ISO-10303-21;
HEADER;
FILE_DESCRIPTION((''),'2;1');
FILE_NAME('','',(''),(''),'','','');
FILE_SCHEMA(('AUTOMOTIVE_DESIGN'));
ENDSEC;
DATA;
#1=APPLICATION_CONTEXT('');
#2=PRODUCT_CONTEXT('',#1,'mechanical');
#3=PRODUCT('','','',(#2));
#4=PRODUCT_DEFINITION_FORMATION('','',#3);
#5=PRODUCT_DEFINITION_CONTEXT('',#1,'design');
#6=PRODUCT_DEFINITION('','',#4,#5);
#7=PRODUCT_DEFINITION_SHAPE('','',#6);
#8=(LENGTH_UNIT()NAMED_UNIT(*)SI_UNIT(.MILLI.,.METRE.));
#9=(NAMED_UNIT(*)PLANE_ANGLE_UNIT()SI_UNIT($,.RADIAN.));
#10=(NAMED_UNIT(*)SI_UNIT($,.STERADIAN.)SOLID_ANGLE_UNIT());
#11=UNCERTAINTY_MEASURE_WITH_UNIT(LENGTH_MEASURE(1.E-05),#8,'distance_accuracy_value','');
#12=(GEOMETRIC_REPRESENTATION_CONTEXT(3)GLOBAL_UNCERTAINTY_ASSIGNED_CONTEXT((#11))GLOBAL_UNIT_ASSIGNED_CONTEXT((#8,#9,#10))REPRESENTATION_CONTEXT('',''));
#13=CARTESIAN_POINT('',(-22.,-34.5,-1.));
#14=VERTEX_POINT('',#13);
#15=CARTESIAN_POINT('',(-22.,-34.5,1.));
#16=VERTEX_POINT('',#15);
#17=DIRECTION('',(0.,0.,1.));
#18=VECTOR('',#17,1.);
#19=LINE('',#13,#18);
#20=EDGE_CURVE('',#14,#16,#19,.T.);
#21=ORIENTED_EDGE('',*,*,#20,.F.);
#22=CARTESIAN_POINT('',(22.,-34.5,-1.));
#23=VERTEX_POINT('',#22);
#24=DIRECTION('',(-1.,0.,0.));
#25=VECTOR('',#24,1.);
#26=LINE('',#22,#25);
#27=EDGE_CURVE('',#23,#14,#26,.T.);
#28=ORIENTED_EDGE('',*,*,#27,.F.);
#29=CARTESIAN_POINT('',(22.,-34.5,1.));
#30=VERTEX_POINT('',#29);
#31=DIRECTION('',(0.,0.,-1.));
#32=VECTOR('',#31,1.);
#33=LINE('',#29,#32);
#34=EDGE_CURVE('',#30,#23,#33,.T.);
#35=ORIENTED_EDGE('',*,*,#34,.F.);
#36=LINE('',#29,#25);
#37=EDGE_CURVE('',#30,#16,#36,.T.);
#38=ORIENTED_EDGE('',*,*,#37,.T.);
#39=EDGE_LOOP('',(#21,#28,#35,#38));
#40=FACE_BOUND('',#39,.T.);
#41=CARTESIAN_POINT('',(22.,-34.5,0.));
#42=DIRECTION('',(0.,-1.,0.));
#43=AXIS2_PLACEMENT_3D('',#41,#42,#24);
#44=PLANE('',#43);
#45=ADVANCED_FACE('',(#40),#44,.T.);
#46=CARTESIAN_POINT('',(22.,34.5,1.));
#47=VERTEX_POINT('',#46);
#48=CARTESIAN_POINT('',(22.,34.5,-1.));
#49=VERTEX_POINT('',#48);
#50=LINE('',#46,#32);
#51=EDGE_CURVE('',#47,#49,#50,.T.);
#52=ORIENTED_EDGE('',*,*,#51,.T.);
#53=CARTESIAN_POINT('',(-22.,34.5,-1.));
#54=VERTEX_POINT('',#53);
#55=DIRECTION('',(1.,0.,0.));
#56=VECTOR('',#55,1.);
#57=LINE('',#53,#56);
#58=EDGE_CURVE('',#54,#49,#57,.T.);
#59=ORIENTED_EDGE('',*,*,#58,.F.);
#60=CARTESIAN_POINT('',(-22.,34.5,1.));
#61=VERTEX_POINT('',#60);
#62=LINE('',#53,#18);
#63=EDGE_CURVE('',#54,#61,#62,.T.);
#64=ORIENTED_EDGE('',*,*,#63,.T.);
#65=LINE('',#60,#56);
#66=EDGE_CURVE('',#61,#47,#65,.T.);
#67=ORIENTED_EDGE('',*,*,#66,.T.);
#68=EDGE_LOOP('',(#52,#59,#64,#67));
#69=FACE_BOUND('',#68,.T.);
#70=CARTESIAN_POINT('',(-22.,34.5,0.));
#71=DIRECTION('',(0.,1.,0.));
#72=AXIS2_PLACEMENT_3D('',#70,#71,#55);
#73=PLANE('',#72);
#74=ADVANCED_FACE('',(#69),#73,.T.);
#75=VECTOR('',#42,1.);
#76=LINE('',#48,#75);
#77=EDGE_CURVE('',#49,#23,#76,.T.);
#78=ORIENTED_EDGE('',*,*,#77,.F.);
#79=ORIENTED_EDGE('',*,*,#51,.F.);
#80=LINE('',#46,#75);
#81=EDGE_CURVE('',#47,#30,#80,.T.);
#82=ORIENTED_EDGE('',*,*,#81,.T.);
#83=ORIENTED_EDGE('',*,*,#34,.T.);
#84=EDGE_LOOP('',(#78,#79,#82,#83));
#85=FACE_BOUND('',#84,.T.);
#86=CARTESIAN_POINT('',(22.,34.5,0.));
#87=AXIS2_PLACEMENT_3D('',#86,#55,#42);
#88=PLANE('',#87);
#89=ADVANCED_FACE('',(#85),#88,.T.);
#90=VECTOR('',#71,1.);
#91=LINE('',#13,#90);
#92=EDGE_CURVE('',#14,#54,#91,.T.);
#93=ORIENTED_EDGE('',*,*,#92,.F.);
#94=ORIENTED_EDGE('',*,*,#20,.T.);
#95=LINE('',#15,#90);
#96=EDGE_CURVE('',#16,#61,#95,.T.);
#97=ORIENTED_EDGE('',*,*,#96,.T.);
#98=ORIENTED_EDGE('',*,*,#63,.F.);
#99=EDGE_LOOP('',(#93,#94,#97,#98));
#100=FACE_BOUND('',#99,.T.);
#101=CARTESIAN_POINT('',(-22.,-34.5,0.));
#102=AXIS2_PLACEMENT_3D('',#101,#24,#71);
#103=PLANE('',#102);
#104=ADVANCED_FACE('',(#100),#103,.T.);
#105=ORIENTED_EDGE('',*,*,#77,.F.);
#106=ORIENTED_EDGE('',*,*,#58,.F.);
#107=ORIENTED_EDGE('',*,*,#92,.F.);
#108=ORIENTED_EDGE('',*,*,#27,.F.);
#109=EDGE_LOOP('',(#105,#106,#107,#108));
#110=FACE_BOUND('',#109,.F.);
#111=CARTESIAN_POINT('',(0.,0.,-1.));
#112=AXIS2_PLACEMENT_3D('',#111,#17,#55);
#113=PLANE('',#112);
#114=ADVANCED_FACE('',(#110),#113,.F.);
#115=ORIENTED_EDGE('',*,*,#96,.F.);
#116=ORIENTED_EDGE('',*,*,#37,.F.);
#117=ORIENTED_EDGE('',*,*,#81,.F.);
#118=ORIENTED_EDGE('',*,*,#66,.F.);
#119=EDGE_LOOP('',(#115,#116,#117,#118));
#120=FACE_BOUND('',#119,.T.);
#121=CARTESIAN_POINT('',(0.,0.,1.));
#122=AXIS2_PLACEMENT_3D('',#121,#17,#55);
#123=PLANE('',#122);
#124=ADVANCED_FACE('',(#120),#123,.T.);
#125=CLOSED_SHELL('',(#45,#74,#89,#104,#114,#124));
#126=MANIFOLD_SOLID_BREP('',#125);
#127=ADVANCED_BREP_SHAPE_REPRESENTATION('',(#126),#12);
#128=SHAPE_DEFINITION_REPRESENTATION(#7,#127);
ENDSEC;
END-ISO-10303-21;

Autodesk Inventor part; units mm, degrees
ref_plane "YZ Plane" through (0, 0, 0) normal (1, 0, 0) x (0, 1, 0)
ref_plane "XZ Plane" through (0, 0, 0) normal (0, 1, 0) x (-1, 0, 0)
ref_plane "XY Plane" through (0, 0, 0) normal (0, 0, 1) x (1, 0, 0)
sketch "Sketch1" plane through (0, 0, 0) normal (0, 0, 1) x (1, 0, 0)
  line L0 (-22, 34.5) -> (22, 34.5)
  line L1 (22, 34.5) -> (22, -34.5)
  line L2 (22, -34.5) -> (-22, -34.5)
  line L3 (-22, -34.5) -> (-22, 34.5)
  point P0 (0, 0)
  point P1 (0, 34.5)
  point P2 (0, -34.5)
  point P3 (22, 0)
  dimension "d0" = 44
  dimension "d1" = 69
  dimension "d2" = 44
  dimension "d3" = 69
extrude "Extrusion1" add sketch "Sketch1" along normal mid plane 2
properties part number "PCB-V1" material "Copper"
